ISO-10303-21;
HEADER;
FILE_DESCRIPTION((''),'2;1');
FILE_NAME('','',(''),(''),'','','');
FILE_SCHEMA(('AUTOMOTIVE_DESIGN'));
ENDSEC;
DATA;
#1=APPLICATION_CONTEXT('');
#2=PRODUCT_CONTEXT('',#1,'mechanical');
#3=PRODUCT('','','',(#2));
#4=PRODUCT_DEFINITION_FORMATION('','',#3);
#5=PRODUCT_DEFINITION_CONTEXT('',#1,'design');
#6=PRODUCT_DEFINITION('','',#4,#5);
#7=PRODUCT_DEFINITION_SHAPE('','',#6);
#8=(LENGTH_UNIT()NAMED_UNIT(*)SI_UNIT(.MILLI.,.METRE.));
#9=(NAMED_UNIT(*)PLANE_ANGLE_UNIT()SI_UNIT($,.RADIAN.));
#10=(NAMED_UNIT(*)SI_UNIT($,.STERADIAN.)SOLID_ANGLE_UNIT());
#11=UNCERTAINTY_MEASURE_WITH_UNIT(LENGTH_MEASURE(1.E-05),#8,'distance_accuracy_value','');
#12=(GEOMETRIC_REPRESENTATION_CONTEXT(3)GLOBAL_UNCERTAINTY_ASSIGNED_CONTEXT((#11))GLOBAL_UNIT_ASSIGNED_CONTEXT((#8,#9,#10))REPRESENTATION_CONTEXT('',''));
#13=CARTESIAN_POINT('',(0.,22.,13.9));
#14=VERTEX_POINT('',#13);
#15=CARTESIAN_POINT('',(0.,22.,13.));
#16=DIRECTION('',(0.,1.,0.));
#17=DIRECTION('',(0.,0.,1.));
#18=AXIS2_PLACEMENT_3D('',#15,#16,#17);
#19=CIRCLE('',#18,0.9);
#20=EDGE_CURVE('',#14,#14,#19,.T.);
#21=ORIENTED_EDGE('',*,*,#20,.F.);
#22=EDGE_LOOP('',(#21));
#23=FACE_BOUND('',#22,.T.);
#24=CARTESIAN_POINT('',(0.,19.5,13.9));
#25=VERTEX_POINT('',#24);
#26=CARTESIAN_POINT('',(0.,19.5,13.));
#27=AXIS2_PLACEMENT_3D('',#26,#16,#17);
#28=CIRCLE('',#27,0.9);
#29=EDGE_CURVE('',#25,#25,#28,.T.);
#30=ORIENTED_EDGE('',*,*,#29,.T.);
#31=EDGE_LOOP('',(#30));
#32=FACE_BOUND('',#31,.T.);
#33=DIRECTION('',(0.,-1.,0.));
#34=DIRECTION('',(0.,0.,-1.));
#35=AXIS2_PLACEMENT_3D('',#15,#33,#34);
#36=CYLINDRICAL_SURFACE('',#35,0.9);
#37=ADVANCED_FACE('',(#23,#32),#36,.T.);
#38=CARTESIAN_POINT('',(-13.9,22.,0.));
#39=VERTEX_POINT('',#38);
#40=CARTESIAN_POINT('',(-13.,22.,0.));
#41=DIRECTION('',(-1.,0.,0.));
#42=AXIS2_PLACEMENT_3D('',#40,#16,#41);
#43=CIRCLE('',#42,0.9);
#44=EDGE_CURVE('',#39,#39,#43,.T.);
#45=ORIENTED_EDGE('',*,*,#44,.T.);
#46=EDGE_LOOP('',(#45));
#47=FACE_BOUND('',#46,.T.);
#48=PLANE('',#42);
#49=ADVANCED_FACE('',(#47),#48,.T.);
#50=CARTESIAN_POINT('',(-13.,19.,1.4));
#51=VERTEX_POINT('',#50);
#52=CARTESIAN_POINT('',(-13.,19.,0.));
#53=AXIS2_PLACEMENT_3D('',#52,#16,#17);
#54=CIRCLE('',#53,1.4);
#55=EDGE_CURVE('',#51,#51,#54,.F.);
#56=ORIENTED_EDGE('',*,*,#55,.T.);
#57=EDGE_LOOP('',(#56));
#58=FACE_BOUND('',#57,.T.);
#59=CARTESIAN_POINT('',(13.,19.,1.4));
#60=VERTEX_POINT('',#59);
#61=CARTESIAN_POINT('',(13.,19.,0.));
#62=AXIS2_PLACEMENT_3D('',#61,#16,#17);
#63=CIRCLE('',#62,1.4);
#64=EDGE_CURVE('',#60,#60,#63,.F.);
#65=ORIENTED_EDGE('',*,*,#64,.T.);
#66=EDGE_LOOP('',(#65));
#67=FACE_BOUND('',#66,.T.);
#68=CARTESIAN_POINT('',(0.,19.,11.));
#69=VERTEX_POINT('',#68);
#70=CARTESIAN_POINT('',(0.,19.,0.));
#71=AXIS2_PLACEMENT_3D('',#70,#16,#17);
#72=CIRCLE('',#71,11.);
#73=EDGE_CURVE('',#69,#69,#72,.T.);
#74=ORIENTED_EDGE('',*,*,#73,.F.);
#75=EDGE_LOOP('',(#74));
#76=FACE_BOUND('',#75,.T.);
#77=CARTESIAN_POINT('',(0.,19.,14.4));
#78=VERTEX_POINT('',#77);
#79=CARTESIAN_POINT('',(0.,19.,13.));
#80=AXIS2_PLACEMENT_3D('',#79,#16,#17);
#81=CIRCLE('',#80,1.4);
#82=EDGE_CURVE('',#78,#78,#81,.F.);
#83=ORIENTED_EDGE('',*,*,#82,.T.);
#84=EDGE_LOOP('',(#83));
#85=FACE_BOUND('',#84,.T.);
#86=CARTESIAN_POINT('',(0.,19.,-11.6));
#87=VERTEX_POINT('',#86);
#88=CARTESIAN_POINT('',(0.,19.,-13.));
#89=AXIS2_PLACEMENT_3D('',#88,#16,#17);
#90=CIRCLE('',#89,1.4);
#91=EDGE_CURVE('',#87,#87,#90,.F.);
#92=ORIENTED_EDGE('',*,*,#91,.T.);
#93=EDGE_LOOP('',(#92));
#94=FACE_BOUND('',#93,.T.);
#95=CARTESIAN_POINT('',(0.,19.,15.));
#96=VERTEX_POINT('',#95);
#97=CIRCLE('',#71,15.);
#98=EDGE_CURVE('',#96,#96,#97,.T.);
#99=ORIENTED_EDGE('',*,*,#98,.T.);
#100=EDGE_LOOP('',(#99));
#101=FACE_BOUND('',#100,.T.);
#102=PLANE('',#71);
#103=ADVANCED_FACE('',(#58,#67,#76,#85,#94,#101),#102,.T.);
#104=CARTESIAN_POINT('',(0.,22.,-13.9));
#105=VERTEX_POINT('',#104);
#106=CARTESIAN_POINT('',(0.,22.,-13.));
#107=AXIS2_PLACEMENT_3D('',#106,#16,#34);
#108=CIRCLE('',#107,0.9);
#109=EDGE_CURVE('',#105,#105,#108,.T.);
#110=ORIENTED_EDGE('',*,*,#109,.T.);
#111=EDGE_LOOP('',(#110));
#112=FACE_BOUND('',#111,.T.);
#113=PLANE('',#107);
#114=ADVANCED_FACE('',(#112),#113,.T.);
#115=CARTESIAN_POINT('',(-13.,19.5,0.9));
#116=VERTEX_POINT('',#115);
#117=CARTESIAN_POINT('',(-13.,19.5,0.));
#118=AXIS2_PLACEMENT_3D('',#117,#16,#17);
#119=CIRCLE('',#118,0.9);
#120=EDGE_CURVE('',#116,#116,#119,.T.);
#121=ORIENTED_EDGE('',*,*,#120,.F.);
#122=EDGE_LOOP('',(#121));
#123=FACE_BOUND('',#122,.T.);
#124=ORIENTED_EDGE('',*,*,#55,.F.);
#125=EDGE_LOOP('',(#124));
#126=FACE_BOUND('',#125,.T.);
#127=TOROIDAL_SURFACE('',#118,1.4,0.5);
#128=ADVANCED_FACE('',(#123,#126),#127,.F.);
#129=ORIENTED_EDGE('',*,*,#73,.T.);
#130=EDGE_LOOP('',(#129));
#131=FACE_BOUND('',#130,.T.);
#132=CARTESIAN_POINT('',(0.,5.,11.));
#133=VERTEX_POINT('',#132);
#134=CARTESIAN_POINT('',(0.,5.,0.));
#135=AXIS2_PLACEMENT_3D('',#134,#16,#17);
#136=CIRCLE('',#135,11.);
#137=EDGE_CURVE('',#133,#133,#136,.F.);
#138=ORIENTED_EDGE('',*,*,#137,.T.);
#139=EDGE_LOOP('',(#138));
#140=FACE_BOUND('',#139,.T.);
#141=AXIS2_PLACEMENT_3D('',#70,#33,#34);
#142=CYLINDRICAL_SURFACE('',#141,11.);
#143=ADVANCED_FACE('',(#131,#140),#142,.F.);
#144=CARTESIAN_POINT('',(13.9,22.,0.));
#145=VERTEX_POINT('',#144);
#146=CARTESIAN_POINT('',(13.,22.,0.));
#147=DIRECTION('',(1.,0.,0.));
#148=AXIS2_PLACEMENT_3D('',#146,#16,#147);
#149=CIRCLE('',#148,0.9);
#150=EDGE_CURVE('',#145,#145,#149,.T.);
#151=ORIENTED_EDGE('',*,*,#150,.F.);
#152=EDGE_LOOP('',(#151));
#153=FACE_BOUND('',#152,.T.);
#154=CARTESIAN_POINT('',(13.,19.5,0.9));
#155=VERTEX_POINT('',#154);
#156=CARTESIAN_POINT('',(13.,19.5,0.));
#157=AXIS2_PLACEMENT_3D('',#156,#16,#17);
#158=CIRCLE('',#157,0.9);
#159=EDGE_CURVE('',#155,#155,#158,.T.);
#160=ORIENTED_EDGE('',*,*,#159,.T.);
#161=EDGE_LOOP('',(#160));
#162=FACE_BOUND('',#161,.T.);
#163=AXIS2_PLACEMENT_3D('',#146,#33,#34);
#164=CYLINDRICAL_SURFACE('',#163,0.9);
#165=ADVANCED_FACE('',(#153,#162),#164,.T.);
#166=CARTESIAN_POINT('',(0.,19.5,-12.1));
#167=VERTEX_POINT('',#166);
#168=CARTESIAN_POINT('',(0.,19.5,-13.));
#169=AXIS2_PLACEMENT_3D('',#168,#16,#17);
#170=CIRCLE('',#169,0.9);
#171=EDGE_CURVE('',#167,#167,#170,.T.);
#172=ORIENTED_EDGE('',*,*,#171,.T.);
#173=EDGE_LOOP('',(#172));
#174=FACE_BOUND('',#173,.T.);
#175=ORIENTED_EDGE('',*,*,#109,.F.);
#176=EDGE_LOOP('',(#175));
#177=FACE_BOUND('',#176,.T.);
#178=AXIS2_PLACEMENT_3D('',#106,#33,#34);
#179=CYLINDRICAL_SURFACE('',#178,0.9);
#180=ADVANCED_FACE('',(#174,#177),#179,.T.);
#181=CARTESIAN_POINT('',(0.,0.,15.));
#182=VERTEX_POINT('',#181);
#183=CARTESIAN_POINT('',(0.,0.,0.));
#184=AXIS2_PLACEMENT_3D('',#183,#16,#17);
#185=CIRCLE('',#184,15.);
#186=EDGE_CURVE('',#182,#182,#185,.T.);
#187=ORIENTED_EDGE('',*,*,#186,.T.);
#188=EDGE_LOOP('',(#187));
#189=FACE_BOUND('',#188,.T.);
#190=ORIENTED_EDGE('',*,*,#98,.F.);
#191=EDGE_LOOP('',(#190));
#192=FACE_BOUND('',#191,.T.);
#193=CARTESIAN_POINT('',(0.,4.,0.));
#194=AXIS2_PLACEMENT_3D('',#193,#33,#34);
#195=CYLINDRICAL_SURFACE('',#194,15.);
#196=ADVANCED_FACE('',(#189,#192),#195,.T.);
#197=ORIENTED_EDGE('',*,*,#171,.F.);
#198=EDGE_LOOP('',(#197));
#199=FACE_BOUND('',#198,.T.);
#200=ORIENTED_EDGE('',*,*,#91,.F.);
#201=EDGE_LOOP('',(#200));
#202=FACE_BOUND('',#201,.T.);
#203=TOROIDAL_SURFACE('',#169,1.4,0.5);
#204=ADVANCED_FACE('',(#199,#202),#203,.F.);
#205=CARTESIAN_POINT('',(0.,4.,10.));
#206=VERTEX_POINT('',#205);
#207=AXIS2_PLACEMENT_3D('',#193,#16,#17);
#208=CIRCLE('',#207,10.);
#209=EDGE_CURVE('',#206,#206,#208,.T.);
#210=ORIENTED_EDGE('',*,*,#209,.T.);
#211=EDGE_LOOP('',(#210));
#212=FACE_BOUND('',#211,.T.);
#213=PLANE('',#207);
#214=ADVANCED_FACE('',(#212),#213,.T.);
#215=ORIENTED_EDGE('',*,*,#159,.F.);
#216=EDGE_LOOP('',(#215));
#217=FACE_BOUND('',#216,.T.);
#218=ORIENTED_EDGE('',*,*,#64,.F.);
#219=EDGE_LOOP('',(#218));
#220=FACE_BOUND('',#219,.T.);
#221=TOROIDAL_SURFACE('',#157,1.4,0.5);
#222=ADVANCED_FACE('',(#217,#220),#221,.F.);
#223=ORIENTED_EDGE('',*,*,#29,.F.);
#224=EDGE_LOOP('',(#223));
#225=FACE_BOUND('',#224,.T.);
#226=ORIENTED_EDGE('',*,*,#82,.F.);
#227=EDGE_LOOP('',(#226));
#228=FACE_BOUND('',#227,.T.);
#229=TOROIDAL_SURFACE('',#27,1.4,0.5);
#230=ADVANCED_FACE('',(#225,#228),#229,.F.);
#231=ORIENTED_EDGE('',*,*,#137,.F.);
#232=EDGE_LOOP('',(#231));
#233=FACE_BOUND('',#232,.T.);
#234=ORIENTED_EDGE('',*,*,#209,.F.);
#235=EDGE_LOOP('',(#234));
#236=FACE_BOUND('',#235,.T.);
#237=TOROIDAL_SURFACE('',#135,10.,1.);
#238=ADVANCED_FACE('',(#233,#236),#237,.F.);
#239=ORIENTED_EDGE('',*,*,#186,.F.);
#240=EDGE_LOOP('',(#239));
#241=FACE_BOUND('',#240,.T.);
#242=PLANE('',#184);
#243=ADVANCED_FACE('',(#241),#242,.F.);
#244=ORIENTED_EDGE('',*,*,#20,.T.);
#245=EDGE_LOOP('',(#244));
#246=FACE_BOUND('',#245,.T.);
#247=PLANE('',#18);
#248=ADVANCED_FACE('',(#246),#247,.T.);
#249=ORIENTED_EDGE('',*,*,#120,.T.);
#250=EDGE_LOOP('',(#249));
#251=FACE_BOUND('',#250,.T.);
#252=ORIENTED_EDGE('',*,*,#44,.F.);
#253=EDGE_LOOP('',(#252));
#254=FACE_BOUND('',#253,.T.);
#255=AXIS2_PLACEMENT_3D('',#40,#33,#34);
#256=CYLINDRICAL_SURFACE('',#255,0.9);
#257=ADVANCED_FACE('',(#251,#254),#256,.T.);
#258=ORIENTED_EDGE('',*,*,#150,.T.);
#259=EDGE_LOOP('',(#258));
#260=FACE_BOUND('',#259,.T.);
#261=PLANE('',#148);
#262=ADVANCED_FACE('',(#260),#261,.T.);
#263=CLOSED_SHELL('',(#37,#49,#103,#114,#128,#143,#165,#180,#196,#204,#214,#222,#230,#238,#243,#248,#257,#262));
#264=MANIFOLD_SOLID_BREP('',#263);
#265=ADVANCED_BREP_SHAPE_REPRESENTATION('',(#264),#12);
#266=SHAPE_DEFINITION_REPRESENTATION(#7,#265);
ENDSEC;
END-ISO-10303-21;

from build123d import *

# Parameters (mm, degrees)
SKETCH1_R                = 15
BOSS_EXTRUDE1_DEPTH      = 4
SKETCH2_R                = 15
SKETCH2_R_2              = 11
BOSS_EXTRUDE2_DEPTH      = 15
SKETCH3_R                = 0.9
BOSS_EXTRUDE3_DEPTH      = 3
FILLET1_R                = 0.5
CIRPATTERN1_COUNT        = 4
FILLET1_OF_CIRPATTERN1_R = 0.5
FILLET2_R                = 1


with BuildPart() as part:
    # Sketch1 → Boss-Extrude1 (new body)
    with BuildSketch(Plane(origin=(0, 0, 0), x_dir=(1, 0, 0), z_dir=(0, 1, 0))):
        with Locations(Location((0, 0, 0), (0, 0, 270))):
            Circle(SKETCH1_R)
    extrude(amount=BOSS_EXTRUDE1_DEPTH)

    # Sketch2 → Boss-Extrude2 (add)
    with BuildSketch(Plane(origin=(0, 4, 0), x_dir=(1, 0, 0), z_dir=(0, 1, 0))):
        with Locations(Location((0, 0, 0), (0, 0, 270))):
            Circle(SKETCH2_R)
        with Locations(Location((0, 0, 0), (0, 0, 270))):
            Circle(SKETCH2_R_2, mode=Mode.SUBTRACT)
    extrude(amount=BOSS_EXTRUDE2_DEPTH)

    # Sketch3 → Boss-Extrude3 (add)
    with BuildSketch(Plane(origin=(0, 19, 0), x_dir=(1, 0, 0), z_dir=(0, 1, 0))):
        with Locations(Location((0, -13, 0), (0, 0, 270))):
            Circle(SKETCH3_R)
    boss_extrude3 = extrude(amount=BOSS_EXTRUDE3_DEPTH)

    # Fillet1
    fillet1_edges = [part.edges().sort_by_distance(p)[0] for p in [
        (0, 19, 12.1),
    ]]
    fillet(fillet1_edges, radius=FILLET1_R)

    # CirPattern1: Boss-Extrude3 ×4 about axis
    cirpattern1_axis = Axis((0, 0, 0), (0, 1, 0))
    for i in range(1, CIRPATTERN1_COUNT):
        add(boss_extrude3.rotate(cirpattern1_axis, i * 360 / CIRPATTERN1_COUNT))

    # Fillet1 of CirPattern1
    fillet1_of_cirpattern1_edges = [part.edges().sort_by_distance(p)[0] for p in [
        (12.1, 19, 0),
        (0, 19, -12.1),
        (-12.1, 19, 0),
    ]]
    fillet(fillet1_of_cirpattern1_edges, radius=FILLET1_OF_CIRPATTERN1_R)

    # Fillet2
    fillet2_edges = [part.edges().sort_by_distance(p)[0] for p in [
        (0, 4, -11),
    ]]
    fillet(fillet2_edges, radius=FILLET2_R)


solid = part.part
